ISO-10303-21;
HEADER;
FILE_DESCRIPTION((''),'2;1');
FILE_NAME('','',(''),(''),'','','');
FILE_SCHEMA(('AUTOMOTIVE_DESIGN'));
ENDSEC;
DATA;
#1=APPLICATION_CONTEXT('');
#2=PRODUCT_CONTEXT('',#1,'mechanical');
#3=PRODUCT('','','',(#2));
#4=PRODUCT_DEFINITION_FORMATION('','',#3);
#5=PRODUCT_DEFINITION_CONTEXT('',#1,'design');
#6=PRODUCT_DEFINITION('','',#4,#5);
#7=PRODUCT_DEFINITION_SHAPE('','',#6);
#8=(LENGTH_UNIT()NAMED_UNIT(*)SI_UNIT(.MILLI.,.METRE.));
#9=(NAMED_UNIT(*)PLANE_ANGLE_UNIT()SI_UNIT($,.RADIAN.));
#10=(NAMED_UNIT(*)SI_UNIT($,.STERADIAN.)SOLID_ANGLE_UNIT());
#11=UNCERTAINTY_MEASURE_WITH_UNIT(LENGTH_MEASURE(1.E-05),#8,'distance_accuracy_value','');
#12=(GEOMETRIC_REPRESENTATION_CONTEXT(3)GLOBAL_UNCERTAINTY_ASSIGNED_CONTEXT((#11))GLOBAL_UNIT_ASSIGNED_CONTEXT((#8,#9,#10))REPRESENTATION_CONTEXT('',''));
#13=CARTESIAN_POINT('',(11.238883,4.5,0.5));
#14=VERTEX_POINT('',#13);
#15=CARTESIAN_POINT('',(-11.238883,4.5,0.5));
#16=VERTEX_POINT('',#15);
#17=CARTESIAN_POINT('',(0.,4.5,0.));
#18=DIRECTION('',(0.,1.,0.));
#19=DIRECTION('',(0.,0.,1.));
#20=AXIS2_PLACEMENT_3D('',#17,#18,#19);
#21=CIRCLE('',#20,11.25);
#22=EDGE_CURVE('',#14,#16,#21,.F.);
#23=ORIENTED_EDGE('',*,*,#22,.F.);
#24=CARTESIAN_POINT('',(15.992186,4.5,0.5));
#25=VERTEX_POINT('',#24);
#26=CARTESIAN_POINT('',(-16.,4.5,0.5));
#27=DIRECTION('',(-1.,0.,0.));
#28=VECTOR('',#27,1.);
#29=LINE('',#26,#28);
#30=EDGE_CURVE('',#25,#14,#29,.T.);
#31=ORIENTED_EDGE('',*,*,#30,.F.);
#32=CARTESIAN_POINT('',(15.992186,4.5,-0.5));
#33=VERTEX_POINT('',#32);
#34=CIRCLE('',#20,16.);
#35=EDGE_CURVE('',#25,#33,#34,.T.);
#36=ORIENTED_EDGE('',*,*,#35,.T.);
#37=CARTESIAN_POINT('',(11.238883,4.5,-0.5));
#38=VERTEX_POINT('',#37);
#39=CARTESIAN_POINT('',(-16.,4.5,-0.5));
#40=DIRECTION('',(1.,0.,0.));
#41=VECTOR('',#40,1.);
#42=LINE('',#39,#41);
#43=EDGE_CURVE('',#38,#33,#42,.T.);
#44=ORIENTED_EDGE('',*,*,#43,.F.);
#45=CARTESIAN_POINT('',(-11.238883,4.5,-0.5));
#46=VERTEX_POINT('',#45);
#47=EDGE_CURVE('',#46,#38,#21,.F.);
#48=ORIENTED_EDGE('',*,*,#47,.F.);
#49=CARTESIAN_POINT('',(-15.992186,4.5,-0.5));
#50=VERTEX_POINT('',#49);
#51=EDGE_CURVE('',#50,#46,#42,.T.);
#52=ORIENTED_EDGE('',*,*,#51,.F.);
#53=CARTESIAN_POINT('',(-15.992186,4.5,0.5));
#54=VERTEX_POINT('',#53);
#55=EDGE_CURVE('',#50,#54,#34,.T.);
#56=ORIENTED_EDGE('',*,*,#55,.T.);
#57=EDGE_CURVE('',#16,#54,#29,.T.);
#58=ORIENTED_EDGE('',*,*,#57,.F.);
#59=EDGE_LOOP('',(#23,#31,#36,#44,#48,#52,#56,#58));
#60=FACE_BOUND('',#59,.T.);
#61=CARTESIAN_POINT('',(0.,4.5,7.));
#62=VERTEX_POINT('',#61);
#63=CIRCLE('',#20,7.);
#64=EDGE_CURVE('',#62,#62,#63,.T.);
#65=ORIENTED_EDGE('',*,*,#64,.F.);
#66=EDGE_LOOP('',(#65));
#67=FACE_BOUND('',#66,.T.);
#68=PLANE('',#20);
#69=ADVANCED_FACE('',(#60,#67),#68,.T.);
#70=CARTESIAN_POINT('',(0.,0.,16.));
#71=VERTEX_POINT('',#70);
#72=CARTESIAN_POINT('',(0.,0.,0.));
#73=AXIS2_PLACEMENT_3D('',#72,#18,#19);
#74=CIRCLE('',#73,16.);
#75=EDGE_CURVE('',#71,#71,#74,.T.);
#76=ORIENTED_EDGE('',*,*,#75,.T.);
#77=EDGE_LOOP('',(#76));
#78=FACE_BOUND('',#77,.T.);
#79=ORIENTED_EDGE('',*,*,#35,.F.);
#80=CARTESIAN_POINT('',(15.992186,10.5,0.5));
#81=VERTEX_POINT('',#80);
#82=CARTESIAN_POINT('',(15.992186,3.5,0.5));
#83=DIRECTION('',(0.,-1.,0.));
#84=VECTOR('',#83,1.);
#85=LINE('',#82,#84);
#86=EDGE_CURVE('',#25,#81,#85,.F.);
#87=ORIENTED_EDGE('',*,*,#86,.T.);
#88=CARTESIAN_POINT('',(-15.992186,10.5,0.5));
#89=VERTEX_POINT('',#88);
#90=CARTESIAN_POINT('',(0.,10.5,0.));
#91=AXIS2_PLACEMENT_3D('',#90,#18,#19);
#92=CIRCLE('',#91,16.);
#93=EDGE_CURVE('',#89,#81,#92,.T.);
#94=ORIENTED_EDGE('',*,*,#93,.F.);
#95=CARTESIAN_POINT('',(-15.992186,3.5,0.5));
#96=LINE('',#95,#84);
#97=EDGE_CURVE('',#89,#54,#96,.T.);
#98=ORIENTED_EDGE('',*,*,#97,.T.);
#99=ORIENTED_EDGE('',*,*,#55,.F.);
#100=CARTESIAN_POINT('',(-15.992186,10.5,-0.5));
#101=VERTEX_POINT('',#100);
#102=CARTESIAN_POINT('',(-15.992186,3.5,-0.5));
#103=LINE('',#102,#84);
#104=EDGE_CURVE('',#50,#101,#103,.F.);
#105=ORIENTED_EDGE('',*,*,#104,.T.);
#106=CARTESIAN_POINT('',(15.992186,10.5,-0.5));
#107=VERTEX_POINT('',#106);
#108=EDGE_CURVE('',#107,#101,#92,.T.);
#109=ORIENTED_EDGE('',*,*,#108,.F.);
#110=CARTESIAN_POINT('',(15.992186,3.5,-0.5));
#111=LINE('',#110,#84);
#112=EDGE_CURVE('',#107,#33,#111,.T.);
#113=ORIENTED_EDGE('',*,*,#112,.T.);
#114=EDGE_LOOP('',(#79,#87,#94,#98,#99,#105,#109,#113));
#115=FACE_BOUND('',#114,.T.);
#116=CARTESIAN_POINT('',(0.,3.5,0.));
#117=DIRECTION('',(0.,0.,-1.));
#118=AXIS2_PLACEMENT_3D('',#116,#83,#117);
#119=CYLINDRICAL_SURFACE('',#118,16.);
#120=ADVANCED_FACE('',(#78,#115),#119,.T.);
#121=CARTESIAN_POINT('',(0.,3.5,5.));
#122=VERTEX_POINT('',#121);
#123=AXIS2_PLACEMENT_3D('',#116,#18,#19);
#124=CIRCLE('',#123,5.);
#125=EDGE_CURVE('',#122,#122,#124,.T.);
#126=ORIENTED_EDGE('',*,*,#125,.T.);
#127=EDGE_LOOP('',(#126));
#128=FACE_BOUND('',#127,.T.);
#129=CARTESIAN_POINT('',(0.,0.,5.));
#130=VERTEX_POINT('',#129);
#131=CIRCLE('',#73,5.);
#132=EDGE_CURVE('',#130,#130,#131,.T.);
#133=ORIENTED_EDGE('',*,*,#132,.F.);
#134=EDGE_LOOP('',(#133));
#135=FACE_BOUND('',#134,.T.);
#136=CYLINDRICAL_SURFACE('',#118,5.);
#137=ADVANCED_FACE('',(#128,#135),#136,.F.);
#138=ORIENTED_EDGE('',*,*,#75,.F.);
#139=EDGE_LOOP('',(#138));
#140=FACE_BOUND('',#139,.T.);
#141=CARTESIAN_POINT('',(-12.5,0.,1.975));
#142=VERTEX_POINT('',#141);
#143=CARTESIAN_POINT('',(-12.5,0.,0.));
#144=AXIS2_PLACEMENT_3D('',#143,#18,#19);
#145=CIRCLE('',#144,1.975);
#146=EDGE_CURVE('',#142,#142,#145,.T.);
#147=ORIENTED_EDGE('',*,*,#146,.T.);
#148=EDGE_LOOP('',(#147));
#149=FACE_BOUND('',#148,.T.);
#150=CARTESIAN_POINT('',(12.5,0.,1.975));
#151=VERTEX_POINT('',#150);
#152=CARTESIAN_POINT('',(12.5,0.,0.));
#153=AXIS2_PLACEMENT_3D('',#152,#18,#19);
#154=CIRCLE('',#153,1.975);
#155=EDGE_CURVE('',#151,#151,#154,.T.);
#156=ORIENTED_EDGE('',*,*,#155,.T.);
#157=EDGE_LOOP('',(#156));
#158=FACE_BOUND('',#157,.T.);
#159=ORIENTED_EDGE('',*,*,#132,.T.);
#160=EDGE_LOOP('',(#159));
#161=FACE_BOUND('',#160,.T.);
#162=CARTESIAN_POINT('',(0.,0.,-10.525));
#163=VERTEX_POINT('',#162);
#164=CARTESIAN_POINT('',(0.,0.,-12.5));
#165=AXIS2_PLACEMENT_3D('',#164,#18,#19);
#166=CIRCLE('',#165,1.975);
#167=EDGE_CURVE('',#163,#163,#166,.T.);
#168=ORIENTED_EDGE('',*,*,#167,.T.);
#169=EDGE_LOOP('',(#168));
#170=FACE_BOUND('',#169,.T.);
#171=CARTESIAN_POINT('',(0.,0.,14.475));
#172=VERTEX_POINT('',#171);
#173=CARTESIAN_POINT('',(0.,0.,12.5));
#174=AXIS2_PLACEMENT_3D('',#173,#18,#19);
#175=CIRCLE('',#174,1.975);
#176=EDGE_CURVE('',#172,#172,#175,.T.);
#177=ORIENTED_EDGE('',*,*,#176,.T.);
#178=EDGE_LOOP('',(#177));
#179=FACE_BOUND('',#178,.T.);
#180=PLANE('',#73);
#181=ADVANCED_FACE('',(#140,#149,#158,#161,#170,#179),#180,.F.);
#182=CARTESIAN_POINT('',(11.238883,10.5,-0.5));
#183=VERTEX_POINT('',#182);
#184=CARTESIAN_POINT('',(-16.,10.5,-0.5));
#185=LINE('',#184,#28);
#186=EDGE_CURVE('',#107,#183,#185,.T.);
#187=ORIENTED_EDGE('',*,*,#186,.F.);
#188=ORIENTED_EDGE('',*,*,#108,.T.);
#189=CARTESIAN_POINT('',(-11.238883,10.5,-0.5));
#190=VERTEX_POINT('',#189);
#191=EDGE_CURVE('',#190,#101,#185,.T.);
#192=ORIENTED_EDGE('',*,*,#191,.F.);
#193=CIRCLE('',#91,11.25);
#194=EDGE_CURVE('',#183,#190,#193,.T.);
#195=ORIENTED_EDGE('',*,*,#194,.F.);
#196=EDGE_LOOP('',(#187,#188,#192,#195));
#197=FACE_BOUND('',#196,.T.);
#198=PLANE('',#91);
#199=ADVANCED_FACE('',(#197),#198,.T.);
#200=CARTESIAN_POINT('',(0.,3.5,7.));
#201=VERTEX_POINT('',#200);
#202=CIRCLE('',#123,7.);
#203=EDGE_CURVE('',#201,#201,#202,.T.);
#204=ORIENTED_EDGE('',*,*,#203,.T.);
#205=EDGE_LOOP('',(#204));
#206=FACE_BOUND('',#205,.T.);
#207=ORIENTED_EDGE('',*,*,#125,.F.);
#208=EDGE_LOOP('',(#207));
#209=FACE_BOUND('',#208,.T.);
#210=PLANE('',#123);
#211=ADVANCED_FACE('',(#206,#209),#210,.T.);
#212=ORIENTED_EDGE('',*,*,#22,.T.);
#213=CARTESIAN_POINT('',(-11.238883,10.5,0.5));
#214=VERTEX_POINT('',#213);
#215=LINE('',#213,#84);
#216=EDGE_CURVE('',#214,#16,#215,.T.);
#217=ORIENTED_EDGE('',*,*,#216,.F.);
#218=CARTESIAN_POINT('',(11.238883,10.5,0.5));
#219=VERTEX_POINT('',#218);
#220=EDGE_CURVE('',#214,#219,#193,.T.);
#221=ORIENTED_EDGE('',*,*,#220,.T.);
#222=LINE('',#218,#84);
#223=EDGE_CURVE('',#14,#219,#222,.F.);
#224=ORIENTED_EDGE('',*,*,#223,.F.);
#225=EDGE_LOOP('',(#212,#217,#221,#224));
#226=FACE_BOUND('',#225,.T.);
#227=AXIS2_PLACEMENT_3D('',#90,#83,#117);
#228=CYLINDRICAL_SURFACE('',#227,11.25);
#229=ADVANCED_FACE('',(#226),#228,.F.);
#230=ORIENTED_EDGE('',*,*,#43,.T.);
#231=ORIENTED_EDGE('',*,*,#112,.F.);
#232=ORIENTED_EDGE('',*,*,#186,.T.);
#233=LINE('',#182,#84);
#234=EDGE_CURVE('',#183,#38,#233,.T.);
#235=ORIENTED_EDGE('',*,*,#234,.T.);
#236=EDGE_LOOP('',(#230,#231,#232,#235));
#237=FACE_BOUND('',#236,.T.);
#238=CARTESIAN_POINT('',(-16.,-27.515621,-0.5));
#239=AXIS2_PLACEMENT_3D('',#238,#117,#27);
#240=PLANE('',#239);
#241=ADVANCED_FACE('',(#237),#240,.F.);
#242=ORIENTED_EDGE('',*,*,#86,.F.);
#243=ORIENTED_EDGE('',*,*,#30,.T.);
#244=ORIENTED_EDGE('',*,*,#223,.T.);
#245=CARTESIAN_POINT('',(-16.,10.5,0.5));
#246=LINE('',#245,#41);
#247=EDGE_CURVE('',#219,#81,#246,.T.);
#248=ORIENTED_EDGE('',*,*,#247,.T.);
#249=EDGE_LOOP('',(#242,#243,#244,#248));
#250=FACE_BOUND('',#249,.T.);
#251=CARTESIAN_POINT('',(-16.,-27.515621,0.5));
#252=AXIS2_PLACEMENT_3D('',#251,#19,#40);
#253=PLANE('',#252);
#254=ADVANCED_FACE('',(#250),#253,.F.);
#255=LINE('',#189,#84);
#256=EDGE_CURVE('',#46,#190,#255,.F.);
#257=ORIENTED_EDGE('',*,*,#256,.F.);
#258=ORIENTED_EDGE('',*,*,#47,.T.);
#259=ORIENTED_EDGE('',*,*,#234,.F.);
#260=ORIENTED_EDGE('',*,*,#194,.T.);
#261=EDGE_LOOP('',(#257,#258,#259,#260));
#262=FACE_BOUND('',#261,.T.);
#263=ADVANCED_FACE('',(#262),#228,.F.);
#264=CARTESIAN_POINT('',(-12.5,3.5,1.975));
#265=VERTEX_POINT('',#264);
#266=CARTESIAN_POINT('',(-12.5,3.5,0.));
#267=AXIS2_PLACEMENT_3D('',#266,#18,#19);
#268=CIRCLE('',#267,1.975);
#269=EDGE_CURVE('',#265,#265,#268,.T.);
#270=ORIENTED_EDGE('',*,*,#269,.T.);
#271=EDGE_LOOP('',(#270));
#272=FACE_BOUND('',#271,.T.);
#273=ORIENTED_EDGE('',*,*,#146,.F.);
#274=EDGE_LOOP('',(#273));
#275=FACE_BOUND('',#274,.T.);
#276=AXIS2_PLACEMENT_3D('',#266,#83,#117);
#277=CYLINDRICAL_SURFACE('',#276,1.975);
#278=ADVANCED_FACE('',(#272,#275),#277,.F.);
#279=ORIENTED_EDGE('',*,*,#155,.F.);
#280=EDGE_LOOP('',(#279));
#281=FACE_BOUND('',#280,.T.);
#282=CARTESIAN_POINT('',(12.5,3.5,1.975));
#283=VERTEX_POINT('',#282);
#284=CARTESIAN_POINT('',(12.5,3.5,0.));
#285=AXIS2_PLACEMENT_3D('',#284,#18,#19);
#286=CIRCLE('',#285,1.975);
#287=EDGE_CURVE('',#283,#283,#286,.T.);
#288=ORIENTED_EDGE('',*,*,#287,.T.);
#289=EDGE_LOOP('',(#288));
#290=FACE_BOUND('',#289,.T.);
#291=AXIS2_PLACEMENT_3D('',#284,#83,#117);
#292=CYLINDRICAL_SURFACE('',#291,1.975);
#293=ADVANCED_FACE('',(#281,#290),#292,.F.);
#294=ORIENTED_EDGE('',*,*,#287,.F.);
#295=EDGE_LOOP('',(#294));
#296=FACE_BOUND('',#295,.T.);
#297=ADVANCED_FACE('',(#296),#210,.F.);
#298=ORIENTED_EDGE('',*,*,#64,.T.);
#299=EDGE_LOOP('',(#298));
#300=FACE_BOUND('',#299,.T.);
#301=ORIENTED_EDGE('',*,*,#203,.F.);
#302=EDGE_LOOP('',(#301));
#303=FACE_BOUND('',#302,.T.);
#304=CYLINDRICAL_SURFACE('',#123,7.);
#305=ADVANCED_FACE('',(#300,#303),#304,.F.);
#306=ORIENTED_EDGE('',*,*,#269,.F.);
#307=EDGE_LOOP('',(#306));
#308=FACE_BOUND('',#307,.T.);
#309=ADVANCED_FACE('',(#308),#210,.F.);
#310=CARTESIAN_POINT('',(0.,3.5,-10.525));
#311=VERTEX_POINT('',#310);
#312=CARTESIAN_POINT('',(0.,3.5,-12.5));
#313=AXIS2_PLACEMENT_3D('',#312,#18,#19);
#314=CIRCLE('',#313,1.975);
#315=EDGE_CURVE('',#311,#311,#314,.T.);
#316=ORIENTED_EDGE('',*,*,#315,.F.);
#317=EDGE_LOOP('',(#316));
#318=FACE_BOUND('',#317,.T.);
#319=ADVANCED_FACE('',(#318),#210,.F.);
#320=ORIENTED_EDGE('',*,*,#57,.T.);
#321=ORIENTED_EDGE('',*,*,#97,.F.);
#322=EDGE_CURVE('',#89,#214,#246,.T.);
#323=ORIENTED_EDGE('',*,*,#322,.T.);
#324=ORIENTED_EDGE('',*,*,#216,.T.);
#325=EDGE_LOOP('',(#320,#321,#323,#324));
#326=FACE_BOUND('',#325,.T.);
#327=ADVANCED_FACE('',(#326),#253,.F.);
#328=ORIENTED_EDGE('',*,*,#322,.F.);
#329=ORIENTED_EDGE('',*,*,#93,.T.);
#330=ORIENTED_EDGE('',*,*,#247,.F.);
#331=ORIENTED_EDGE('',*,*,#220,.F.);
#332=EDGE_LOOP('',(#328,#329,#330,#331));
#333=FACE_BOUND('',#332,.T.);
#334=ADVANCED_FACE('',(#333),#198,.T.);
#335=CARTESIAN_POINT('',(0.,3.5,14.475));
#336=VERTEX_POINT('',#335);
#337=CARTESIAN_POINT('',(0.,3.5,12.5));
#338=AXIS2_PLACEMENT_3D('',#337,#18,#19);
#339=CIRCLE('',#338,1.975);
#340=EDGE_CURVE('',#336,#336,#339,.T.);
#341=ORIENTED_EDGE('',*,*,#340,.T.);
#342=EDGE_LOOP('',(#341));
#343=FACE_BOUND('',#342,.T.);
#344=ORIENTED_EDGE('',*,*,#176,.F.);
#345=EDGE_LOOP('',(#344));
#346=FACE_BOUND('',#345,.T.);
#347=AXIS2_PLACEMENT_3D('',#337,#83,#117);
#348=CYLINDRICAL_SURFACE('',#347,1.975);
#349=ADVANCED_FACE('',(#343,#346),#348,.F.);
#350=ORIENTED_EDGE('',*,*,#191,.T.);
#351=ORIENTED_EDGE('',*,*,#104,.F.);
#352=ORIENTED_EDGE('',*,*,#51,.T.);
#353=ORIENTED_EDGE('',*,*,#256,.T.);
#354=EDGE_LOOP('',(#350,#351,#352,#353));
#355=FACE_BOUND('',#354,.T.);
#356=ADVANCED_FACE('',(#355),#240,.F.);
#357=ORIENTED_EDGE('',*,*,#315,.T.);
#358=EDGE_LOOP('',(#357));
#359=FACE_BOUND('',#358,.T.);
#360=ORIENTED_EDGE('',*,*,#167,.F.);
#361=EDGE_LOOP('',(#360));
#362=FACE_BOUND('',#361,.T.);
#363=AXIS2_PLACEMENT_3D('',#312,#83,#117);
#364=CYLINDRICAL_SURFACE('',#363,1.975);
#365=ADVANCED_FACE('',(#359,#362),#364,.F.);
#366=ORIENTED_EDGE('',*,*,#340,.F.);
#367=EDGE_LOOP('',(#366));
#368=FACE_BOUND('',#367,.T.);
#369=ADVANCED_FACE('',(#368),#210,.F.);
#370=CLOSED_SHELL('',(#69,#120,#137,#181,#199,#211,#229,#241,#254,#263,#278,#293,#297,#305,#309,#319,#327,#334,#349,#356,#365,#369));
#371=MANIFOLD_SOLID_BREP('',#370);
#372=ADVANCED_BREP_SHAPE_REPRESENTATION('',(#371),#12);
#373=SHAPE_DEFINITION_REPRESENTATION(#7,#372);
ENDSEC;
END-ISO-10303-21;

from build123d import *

# Parameters (mm, degrees)
SKETCH1_R           = 16
SKETCH1_R_2         = 5
SKETCH1_R_3         = 1.975
BOSS_EXTRUDE1_DEPTH = 3.5
SKETCH2_R           = 16
BOSS_EXTRUDE2_DEPTH = 1
SKETCH3_R           = 16
SKETCH3_R_2         = 11.25
BOSS_EXTRUDE3_DEPTH = 6
SKETCH4_W           = 32
SKETCH4_H           = 1
CUT_EXTRUDE1_DEPTH  = 6
SKETCH5_R           = 7
CUT_EXTRUDE2_DEPTH  = 1


with BuildPart() as part:
    # Sketch1 → Boss-Extrude1 (new body)
    with BuildSketch(Plane(origin=(0, 0, 0), x_dir=(1, 0, 0), z_dir=(0, 1, 0))):
        with Locations(Location((0, 0, 0), (0, 0, 270))):
            Circle(SKETCH1_R)
        with Locations(Location((0, 0, 0), (0, 0, 270))):
            Circle(SKETCH1_R_2, mode=Mode.SUBTRACT)
        with Locations(Location((0, 12.5, 0), (0, 0, 270))):
            Circle(SKETCH1_R_3, mode=Mode.SUBTRACT)
        with Locations(Location((12.5, 0, 0), (0, 0, 270))):
            Circle(SKETCH1_R_3, mode=Mode.SUBTRACT)
        with Locations(Location((0, -12.5, 0), (0, 0, 270))):
            Circle(SKETCH1_R_3, mode=Mode.SUBTRACT)
        with Locations(Location((-12.5, 0, 0), (0, 0, 270))):
            Circle(SKETCH1_R_3, mode=Mode.SUBTRACT)
    extrude(amount=BOSS_EXTRUDE1_DEPTH)

    # Sketch2 → Boss-Extrude2 (add)
    with BuildSketch(Plane(origin=(0, 3.5, 0), x_dir=(1, 0, 0), z_dir=(0, 1, 0))):
        with Locations(Location((0, 0, 0), (0, 0, 270))):
            Circle(SKETCH2_R)
    extrude(amount=BOSS_EXTRUDE2_DEPTH)

    # Sketch3 → Boss-Extrude3 (add)
    with BuildSketch(Plane(origin=(0, 4.5, 0), x_dir=(1, 0, 0), z_dir=(0, 1, 0))):
        with Locations(Location((0, 0, 0), (0, 0, 270))):
            Circle(SKETCH3_R)
        with Locations(Location((0, 0, 0), (0, 0, 270))):
            Circle(SKETCH3_R_2, mode=Mode.SUBTRACT)
    extrude(amount=BOSS_EXTRUDE3_DEPTH)

    # Sketch4 → Cut-Extrude1 (cut)
    with BuildSketch(Plane(origin=(0, 10.5, 0), x_dir=(1, 0, 0), z_dir=(0, 1, 0))):
        Rectangle(SKETCH4_W, SKETCH4_H)
    extrude(amount=-CUT_EXTRUDE1_DEPTH, mode=Mode.SUBTRACT)

    # Sketch5 → Cut-Extrude2 (cut)
    with BuildSketch(Plane(origin=(0, 4.5, 0), x_dir=(1, 0, 0), z_dir=(0, 1, 0))):
        with Locations(Location((0, 0, 0), (0, 0, 270))):
            Circle(SKETCH5_R)
    extrude(amount=-CUT_EXTRUDE2_DEPTH, mode=Mode.SUBTRACT)


solid = part.part
